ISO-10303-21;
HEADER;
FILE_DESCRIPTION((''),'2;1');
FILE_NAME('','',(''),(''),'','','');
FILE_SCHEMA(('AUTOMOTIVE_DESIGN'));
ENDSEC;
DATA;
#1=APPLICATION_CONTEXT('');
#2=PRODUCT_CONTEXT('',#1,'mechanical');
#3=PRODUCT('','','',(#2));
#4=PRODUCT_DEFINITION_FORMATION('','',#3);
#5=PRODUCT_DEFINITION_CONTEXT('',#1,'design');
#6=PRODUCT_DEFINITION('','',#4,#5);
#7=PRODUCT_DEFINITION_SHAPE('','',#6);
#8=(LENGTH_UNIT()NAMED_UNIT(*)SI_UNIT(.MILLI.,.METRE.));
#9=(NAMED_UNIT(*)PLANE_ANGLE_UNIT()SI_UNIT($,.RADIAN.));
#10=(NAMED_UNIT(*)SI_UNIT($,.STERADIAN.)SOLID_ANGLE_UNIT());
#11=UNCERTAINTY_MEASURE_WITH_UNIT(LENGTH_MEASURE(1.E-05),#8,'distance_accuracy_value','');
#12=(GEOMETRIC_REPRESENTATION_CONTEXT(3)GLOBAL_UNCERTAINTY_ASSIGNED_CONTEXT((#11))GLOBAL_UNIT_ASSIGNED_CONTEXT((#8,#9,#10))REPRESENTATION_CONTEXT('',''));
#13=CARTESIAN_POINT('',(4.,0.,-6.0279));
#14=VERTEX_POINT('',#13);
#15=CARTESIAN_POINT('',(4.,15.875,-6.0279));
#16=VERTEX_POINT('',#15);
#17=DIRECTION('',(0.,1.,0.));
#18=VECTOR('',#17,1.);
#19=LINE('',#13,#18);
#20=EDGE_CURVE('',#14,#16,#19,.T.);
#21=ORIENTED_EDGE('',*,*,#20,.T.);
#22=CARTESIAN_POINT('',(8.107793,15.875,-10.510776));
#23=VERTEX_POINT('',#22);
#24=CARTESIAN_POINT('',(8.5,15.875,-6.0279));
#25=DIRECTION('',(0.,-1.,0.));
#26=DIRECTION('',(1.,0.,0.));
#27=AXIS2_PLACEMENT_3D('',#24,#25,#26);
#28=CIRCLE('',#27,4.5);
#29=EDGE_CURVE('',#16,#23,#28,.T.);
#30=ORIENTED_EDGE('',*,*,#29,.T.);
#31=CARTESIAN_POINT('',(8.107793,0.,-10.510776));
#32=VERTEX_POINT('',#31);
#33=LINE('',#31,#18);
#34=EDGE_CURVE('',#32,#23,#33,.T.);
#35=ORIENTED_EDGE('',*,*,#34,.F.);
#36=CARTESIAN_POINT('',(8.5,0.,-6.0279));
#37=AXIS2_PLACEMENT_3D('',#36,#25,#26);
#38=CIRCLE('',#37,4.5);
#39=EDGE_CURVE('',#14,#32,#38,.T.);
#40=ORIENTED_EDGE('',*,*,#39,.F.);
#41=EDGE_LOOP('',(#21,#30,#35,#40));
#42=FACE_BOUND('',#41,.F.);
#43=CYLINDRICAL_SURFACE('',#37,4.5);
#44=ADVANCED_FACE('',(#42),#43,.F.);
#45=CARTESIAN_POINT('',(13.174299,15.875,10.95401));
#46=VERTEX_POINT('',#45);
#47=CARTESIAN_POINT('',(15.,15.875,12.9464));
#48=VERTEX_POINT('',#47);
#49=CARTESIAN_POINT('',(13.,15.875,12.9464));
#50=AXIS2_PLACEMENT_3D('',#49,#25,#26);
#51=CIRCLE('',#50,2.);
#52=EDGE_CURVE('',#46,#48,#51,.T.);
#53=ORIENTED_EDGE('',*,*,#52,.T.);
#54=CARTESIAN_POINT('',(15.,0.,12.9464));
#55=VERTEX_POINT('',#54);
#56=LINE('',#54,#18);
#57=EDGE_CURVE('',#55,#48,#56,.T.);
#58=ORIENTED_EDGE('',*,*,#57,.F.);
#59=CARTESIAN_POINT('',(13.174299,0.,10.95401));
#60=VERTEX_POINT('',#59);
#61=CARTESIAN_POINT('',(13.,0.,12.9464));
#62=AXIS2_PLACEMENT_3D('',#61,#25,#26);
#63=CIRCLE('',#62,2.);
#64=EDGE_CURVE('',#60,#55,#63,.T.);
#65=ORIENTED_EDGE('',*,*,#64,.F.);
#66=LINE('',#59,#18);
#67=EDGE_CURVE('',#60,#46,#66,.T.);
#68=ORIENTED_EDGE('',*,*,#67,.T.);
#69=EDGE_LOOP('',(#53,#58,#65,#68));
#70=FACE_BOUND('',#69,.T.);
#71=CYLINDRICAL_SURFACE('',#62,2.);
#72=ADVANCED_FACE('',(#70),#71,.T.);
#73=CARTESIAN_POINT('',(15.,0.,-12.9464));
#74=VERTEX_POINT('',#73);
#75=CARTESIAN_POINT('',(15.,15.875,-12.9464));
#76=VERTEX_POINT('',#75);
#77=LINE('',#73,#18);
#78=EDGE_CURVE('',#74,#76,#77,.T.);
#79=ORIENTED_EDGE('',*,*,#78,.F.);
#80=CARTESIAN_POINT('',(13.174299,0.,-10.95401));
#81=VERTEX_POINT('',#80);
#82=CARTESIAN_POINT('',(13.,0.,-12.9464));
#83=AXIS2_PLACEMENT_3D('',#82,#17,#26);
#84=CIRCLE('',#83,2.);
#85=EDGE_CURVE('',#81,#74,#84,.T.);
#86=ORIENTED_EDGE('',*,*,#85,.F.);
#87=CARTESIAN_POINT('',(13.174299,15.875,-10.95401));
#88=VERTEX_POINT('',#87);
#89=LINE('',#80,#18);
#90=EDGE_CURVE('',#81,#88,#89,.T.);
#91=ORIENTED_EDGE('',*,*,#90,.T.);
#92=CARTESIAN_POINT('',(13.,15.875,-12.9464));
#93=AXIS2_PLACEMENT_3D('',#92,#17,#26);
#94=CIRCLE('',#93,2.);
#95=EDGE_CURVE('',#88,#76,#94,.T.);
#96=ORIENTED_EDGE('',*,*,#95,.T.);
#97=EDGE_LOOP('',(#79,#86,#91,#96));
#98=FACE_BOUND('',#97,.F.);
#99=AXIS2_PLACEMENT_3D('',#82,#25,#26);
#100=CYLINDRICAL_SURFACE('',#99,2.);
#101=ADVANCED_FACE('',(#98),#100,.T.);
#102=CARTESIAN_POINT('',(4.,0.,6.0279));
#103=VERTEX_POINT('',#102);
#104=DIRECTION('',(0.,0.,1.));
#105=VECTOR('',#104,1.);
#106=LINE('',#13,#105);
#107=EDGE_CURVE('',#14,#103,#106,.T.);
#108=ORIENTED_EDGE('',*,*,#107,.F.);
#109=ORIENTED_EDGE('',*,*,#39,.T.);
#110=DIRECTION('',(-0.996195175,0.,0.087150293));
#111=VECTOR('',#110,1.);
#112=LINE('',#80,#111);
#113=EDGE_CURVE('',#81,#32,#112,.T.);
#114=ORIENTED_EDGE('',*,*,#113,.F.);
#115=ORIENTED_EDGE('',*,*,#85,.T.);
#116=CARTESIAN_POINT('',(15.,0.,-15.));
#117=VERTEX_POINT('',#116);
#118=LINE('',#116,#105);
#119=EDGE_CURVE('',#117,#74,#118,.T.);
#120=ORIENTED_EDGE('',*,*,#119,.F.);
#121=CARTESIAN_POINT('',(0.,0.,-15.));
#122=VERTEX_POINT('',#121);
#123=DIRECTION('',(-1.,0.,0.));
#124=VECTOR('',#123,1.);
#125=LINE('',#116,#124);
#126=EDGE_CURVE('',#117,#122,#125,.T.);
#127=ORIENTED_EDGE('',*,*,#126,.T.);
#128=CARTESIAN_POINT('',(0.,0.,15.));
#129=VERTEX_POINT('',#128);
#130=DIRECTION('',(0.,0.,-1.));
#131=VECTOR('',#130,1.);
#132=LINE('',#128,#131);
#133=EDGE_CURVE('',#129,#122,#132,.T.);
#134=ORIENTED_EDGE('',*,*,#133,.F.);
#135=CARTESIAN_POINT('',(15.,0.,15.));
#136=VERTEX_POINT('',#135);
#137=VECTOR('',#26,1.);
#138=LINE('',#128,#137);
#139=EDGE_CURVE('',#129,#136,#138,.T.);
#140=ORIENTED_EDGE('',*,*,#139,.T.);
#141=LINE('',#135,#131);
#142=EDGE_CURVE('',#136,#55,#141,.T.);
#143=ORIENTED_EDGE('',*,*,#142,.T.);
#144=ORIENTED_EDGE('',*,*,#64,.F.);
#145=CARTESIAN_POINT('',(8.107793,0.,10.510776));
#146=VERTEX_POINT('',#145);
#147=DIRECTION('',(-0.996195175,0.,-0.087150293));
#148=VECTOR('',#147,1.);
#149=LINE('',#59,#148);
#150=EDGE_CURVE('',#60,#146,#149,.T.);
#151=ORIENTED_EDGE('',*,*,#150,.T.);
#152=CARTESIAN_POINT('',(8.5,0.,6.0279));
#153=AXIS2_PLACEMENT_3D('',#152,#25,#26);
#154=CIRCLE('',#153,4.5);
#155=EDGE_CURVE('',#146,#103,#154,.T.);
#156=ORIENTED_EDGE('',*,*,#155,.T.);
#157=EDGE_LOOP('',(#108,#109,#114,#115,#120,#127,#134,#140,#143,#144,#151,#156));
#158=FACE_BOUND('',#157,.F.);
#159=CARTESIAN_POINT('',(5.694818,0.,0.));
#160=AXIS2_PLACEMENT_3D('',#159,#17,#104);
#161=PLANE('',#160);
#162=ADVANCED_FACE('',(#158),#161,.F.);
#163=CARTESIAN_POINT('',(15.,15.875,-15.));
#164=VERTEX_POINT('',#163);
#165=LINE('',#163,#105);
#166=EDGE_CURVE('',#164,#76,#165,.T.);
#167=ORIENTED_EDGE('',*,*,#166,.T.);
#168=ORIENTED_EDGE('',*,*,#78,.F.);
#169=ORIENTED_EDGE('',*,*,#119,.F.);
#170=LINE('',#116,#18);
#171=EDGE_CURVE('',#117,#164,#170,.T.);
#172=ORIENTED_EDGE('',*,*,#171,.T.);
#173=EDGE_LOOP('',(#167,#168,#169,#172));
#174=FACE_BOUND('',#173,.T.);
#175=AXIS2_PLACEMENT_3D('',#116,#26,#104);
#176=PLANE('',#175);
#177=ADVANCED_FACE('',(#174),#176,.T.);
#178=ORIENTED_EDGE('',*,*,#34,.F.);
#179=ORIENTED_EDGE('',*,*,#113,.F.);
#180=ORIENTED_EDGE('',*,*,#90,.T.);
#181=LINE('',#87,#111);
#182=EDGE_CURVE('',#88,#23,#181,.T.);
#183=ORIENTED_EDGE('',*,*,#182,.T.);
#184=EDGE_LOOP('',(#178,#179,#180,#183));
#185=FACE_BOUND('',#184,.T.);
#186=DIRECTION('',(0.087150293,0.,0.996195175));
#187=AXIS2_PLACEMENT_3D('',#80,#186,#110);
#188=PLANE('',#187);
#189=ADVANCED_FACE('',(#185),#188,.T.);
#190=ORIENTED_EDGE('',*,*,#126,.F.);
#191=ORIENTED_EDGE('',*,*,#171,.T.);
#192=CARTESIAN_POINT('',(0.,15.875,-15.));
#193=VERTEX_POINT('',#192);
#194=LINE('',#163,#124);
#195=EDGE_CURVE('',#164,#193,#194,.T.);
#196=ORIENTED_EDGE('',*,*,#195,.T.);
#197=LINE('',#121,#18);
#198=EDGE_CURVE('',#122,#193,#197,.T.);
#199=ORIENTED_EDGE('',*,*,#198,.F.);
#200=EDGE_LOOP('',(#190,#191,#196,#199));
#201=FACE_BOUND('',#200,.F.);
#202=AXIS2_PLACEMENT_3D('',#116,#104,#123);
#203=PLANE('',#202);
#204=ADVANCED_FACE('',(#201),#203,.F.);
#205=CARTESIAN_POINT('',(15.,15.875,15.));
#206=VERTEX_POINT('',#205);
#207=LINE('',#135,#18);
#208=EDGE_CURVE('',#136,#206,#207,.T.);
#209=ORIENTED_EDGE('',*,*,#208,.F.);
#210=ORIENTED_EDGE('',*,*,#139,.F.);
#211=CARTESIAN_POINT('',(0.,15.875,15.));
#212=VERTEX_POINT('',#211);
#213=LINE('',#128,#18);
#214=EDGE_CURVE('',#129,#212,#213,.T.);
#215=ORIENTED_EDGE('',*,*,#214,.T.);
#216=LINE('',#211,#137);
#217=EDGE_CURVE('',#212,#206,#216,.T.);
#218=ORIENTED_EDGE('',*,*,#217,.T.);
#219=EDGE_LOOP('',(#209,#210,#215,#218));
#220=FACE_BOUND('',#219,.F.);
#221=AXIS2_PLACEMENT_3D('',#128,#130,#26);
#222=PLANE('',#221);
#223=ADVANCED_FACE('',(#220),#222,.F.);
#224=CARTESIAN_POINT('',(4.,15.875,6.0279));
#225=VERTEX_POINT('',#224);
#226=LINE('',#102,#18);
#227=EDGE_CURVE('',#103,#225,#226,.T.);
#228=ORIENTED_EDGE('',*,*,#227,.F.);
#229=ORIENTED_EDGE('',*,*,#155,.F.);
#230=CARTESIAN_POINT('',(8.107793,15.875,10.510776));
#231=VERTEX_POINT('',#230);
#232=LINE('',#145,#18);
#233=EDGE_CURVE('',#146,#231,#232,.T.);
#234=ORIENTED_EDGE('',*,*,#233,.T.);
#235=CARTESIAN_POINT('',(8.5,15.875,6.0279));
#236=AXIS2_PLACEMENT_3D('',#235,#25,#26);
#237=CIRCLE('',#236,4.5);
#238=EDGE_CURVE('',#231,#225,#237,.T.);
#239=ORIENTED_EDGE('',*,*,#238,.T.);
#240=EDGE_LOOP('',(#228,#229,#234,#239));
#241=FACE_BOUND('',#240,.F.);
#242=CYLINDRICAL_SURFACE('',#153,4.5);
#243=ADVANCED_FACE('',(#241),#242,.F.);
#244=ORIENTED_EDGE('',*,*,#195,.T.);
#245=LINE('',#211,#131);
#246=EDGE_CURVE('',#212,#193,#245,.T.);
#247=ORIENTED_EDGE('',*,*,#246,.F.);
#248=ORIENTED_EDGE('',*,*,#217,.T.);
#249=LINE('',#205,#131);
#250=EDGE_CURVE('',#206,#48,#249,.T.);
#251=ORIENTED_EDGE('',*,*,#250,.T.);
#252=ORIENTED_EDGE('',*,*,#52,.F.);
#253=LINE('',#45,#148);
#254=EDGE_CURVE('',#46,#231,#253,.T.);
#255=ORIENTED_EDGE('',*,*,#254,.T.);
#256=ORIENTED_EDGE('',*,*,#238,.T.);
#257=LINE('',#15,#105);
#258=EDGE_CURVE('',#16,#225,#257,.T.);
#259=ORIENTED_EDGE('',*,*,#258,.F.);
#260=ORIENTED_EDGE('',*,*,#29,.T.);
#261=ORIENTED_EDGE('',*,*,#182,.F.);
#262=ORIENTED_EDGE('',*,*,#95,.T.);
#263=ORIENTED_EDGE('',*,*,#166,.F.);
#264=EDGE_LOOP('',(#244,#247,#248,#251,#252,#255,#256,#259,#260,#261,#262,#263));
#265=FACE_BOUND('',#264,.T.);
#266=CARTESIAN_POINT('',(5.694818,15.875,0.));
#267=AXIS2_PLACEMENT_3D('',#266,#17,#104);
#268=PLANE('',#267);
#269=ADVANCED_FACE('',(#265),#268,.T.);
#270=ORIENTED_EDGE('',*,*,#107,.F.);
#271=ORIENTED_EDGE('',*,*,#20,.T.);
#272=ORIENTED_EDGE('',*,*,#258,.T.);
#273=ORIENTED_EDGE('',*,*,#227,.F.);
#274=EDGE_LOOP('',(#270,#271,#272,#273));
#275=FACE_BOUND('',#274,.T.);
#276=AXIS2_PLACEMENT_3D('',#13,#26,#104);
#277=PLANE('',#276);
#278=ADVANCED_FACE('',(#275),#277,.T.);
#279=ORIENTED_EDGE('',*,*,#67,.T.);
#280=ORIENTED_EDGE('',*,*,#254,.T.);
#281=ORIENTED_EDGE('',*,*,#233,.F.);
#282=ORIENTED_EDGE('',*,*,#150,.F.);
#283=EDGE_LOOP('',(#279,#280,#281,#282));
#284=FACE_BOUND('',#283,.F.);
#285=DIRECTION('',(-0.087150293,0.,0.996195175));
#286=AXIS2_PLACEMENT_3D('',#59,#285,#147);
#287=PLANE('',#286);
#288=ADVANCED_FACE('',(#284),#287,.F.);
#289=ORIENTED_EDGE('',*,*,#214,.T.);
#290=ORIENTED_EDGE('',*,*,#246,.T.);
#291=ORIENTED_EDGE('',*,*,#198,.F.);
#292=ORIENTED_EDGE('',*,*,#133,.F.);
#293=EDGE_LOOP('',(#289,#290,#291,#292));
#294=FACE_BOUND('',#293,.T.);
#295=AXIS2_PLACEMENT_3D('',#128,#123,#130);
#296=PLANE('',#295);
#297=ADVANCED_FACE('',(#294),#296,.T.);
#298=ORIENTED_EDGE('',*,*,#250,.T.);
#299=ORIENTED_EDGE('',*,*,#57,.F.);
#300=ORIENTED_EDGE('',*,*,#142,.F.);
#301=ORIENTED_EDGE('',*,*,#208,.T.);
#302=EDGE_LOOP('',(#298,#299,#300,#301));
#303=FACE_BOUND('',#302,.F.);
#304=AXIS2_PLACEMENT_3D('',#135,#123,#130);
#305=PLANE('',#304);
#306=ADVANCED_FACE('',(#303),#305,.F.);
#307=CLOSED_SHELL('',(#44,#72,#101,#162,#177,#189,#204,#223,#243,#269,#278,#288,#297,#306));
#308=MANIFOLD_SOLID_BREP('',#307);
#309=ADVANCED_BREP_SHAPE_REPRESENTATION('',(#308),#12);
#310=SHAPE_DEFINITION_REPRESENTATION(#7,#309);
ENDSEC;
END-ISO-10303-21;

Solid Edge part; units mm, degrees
sketch "Sketch1" plane through (0, 0, 0) normal (0, -1, 0) x (1, 0, 0)
  line L0 (15, -15) -> (0, -15)
  line L1 (0, 15) -> (0, -15)
  line L2 (0, 15) -> (15, 15)
  line L3 (15, 15) -> (15, 12.9464)
  arc A0 (13.1743, 10.954) -> (15, 12.9464) centre (13, 12.9464) ccw
  line L4 (13.1743, 10.954) -> (8.1078, 10.5107)
  arc A1 (8.1078, 10.5107) -> (4, 6.0279) centre (8.5, 6.0279) ccw
  line L5 (4, -6.0279) -> (4, 6.0279)
  arc A2 (4, -6.0279) -> (8.1078, -10.5107) centre (8.5, -6.0279) ccw
  line L6 (13.1743, -10.954) -> (8.1078, -10.5107)
  arc A3 (13.1743, -10.954) -> (15, -12.9464) centre (13, -12.9464) cw
  line L7 (15, -15) -> (15, -12.9464)
  dimension "D1" = 15
extrude "Protrusion1" add sketch "Sketch1" against normal blind 15.875
